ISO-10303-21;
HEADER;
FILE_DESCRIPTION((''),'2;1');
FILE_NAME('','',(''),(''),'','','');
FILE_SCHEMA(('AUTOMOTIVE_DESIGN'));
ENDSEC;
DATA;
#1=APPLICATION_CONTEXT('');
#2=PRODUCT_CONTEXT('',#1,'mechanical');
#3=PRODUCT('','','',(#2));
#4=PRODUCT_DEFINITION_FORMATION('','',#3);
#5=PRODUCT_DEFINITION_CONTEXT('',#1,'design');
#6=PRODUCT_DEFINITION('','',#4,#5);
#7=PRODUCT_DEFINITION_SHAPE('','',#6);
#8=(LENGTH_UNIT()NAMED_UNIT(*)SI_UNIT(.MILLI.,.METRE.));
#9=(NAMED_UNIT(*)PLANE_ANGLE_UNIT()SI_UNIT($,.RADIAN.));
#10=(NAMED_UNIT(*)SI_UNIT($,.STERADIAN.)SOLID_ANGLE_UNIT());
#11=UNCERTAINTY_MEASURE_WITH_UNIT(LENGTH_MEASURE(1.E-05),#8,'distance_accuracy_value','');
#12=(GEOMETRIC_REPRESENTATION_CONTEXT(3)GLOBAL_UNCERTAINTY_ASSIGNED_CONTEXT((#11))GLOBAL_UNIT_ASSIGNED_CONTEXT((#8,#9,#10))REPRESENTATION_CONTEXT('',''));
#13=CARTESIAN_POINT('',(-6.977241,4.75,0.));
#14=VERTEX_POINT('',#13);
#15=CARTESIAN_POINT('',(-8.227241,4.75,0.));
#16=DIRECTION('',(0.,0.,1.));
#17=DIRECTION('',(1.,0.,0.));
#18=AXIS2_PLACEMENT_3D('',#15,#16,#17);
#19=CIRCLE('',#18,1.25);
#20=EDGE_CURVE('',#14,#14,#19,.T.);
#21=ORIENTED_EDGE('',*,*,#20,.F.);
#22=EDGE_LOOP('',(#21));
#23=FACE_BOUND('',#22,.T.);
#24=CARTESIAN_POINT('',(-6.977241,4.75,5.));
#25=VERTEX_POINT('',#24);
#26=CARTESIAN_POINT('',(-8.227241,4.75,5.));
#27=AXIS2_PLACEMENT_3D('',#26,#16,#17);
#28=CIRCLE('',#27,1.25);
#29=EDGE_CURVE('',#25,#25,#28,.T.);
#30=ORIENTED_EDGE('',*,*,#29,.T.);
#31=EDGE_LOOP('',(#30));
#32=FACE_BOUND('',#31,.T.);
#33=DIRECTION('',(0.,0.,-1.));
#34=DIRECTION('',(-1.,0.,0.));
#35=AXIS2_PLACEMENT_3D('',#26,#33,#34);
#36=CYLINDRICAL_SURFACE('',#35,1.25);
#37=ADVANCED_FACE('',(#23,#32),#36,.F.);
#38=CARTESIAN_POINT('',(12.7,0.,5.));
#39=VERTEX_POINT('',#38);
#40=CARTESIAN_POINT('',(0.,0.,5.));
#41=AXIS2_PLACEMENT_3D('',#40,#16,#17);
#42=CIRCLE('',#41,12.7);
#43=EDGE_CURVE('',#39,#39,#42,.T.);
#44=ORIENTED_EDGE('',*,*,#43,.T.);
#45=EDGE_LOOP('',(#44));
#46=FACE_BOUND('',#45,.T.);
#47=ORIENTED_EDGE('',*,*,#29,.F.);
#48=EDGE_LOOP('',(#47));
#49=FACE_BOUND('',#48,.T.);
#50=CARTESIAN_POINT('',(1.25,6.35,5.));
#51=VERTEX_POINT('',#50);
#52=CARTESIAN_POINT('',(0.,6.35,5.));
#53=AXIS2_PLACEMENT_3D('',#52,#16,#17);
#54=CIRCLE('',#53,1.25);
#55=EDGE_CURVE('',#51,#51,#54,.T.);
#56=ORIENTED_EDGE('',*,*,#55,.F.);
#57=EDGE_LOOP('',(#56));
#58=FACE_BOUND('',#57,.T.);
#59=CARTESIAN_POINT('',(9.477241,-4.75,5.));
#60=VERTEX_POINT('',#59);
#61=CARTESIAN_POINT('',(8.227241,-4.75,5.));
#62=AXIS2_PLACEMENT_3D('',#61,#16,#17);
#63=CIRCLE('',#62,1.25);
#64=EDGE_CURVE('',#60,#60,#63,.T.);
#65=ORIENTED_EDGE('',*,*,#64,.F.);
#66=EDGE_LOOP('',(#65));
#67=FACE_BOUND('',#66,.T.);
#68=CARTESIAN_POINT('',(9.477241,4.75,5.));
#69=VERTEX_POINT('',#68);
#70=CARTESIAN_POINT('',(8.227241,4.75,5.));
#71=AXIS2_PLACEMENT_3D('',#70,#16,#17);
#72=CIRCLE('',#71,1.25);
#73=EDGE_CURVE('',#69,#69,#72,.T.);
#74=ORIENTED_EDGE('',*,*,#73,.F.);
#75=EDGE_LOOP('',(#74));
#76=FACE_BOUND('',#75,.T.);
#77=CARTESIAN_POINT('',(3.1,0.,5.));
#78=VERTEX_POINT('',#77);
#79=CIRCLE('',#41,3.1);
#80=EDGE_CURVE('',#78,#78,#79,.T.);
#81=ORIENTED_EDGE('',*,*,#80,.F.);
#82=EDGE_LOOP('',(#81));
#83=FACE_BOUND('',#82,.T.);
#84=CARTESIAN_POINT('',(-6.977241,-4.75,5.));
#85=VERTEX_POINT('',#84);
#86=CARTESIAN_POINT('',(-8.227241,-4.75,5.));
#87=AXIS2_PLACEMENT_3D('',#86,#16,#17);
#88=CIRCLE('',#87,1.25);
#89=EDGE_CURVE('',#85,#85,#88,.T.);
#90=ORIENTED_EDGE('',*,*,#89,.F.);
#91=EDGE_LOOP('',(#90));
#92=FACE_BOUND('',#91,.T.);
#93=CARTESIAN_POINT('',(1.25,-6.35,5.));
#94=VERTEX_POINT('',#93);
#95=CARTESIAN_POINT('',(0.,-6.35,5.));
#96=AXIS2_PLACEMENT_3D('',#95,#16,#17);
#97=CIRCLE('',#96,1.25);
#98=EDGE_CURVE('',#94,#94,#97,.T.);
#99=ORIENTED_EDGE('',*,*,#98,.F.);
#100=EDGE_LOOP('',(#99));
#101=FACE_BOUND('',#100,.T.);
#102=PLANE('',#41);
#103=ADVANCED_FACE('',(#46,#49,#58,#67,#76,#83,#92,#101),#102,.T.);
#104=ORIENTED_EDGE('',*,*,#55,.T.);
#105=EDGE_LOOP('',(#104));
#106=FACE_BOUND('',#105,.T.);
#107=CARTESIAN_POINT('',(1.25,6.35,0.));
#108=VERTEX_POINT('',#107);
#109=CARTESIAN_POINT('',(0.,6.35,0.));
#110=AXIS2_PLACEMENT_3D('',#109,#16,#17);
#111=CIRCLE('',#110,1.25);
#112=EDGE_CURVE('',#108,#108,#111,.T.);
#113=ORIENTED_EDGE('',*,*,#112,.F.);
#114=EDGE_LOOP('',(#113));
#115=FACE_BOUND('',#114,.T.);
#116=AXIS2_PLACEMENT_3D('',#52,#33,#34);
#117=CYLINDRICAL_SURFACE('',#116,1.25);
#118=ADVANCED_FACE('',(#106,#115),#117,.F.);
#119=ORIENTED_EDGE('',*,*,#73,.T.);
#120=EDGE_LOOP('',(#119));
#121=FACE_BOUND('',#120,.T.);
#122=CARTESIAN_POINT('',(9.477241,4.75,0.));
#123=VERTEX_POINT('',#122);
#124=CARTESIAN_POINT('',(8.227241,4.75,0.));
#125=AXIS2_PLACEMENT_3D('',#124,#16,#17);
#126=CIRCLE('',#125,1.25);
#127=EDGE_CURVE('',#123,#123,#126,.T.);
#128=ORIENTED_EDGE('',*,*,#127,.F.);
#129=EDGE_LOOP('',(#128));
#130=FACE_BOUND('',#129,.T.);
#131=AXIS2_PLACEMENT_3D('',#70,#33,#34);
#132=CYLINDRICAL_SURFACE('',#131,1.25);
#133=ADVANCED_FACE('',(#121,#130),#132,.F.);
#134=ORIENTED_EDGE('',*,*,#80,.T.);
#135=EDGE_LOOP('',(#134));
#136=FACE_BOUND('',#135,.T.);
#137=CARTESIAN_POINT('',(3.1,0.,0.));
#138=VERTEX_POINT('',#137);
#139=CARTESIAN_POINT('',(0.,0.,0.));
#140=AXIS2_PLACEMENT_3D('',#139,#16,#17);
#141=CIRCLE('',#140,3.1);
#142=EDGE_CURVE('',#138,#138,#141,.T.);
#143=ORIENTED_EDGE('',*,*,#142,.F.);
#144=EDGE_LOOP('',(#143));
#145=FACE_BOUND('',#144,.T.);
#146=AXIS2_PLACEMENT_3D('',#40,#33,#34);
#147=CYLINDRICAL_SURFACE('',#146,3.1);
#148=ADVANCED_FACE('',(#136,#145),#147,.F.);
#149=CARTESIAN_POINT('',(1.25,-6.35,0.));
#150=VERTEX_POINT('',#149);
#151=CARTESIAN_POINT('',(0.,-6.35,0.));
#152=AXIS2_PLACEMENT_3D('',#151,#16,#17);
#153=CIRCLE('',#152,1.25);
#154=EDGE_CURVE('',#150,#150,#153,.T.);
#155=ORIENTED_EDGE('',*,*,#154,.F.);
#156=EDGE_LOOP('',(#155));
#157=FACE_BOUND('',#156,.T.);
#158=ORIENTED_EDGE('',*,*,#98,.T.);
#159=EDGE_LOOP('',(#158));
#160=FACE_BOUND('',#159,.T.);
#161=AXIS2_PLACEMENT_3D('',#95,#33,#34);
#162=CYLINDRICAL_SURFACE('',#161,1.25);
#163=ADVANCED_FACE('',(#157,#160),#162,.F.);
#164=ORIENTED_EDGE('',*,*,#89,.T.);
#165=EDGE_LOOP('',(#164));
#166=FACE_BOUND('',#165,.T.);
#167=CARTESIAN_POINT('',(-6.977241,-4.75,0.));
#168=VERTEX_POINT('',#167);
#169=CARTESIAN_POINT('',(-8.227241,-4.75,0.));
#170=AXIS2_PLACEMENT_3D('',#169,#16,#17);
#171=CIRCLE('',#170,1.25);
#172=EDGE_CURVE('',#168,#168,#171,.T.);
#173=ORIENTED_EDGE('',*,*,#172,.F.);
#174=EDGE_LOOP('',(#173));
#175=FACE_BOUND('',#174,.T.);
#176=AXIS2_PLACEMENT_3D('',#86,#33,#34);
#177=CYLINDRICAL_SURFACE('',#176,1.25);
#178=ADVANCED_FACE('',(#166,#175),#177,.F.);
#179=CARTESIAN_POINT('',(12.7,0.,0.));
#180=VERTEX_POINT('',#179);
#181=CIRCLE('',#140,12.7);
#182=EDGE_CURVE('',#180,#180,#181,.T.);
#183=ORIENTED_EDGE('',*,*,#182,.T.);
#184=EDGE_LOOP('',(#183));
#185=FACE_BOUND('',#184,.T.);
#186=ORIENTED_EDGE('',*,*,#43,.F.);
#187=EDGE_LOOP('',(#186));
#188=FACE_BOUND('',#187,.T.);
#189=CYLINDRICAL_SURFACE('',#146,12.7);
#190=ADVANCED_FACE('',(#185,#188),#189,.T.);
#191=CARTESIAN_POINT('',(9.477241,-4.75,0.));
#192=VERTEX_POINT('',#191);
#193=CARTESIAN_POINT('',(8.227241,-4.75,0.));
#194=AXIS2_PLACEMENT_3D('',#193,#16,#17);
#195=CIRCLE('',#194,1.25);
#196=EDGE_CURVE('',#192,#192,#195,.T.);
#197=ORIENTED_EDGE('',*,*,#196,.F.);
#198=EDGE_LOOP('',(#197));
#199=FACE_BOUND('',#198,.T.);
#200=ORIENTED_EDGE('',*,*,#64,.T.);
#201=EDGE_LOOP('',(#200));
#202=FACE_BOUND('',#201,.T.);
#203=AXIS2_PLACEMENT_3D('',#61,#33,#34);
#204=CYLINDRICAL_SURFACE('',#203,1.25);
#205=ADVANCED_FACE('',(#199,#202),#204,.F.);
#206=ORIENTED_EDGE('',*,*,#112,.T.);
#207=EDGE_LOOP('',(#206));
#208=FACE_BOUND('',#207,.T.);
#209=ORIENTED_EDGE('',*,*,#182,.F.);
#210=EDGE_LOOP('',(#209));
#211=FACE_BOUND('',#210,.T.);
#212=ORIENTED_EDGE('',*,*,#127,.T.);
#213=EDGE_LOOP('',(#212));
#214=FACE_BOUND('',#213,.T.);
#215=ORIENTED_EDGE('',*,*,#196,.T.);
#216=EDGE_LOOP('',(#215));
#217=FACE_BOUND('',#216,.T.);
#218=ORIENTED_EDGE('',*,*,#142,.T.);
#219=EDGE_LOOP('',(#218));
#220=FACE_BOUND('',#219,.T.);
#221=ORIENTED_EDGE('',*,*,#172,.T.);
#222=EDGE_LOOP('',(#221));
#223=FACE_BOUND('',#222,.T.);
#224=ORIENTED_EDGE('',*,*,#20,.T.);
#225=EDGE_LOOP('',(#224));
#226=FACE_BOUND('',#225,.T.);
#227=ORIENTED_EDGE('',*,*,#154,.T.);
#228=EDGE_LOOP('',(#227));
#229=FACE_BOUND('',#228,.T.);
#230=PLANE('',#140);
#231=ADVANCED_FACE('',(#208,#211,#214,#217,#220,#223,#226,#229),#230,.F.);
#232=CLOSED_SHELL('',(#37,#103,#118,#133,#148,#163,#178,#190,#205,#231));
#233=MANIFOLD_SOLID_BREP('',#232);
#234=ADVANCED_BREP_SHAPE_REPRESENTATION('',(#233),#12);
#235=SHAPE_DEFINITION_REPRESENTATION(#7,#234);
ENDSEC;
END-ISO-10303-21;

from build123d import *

# Parameters (mm, degrees)
ESQUISSE1_R        = 12.7
ESQUISSE1_R_2      = 1.25
ESQUISSE1_R_3      = 3.1
BOSS_EXTRU_1_DEPTH = 5


with BuildPart() as part:
    # Esquisse1 → Boss.-Extru.1 (new body)
    with BuildSketch(Plane.XY):
        Circle(ESQUISSE1_R)
        with Locations((0, 6.35)):
            Circle(ESQUISSE1_R_2, mode=Mode.SUBTRACT)
        with Locations((8.227241336, 4.75)):
            Circle(ESQUISSE1_R_2, mode=Mode.SUBTRACT)
        with Locations((8.227241336, -4.75)):
            Circle(ESQUISSE1_R_2, mode=Mode.SUBTRACT)
        with Locations((0, -6.35)):
            Circle(ESQUISSE1_R_2, mode=Mode.SUBTRACT)
        with Locations((-8.227241336, -4.75)):
            Circle(ESQUISSE1_R_2, mode=Mode.SUBTRACT)
        Circle(ESQUISSE1_R_3, mode=Mode.SUBTRACT)
        with Locations((-8.227241336, 4.75)):
            Circle(ESQUISSE1_R_2, mode=Mode.SUBTRACT)
    extrude(amount=BOSS_EXTRU_1_DEPTH)


solid = part.part
